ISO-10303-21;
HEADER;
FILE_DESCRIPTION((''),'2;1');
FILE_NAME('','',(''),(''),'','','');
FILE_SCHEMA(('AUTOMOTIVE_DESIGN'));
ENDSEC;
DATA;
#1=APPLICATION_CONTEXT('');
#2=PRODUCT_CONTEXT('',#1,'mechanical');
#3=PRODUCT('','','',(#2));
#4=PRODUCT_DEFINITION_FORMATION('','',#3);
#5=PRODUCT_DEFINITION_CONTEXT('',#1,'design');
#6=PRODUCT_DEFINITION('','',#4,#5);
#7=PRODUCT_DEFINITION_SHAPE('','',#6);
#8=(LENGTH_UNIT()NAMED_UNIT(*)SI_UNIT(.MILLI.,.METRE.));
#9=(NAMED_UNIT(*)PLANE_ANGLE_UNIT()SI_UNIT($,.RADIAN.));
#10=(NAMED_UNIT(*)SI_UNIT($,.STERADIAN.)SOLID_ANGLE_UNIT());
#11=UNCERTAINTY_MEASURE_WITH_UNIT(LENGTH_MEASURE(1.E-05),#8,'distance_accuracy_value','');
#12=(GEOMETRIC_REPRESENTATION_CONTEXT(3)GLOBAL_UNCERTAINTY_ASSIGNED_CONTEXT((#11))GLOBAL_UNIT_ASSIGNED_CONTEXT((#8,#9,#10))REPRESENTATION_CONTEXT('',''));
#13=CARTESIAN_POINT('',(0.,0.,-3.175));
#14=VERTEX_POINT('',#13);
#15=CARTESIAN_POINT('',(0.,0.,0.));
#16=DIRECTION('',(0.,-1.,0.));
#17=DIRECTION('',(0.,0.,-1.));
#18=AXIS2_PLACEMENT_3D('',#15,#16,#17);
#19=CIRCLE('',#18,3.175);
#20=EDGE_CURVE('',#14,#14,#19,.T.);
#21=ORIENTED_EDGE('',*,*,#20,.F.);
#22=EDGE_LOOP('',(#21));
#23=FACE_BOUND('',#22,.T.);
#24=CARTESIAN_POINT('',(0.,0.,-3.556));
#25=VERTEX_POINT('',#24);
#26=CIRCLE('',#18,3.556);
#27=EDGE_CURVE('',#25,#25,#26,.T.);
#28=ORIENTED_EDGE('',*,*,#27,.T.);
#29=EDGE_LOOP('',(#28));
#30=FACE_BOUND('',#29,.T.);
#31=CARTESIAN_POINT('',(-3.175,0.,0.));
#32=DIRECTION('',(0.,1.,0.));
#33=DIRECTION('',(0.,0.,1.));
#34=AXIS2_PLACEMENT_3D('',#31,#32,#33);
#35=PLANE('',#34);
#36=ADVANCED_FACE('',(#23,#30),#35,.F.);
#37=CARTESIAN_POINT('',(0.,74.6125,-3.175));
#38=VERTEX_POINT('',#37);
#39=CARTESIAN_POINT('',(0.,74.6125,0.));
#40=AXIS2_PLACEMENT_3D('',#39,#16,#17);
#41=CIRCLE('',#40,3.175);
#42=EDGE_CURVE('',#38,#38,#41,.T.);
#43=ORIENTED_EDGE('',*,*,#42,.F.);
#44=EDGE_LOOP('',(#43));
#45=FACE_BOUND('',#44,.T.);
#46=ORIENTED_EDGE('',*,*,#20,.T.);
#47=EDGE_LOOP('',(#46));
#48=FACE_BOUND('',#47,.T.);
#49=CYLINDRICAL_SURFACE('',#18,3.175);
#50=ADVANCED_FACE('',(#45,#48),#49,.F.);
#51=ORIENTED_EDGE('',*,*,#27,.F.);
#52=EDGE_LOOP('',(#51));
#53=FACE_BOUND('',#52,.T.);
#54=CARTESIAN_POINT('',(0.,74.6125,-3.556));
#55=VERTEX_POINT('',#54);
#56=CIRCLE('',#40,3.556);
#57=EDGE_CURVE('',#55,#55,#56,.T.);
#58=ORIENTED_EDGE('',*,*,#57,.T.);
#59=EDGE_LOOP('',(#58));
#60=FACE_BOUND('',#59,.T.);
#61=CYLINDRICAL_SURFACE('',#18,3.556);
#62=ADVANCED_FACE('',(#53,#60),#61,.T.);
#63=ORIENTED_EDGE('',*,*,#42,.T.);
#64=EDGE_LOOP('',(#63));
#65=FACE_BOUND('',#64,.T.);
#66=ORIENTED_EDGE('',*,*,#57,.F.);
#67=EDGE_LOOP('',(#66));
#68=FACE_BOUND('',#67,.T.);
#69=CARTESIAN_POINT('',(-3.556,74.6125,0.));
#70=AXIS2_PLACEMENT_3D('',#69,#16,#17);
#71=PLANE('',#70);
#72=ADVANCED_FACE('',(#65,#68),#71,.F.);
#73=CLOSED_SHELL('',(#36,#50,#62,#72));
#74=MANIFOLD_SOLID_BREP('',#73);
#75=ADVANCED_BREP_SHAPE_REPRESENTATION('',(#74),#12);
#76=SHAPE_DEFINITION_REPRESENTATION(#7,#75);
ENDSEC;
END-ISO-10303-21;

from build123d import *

# Parameters (mm, degrees)
SKETCH1_W = 0.381
SKETCH1_H = 74.6125


with BuildPart() as part:
    # Sketch1 → Revolve1 (revolve)
    with BuildSketch(Plane.XY):
        with Locations((-3.3655, 37.30625)):
            Rectangle(SKETCH1_W, SKETCH1_H)
    revolve(axis=Axis((0, 0, 0), (0, 1, 0)))


solid = part.part
